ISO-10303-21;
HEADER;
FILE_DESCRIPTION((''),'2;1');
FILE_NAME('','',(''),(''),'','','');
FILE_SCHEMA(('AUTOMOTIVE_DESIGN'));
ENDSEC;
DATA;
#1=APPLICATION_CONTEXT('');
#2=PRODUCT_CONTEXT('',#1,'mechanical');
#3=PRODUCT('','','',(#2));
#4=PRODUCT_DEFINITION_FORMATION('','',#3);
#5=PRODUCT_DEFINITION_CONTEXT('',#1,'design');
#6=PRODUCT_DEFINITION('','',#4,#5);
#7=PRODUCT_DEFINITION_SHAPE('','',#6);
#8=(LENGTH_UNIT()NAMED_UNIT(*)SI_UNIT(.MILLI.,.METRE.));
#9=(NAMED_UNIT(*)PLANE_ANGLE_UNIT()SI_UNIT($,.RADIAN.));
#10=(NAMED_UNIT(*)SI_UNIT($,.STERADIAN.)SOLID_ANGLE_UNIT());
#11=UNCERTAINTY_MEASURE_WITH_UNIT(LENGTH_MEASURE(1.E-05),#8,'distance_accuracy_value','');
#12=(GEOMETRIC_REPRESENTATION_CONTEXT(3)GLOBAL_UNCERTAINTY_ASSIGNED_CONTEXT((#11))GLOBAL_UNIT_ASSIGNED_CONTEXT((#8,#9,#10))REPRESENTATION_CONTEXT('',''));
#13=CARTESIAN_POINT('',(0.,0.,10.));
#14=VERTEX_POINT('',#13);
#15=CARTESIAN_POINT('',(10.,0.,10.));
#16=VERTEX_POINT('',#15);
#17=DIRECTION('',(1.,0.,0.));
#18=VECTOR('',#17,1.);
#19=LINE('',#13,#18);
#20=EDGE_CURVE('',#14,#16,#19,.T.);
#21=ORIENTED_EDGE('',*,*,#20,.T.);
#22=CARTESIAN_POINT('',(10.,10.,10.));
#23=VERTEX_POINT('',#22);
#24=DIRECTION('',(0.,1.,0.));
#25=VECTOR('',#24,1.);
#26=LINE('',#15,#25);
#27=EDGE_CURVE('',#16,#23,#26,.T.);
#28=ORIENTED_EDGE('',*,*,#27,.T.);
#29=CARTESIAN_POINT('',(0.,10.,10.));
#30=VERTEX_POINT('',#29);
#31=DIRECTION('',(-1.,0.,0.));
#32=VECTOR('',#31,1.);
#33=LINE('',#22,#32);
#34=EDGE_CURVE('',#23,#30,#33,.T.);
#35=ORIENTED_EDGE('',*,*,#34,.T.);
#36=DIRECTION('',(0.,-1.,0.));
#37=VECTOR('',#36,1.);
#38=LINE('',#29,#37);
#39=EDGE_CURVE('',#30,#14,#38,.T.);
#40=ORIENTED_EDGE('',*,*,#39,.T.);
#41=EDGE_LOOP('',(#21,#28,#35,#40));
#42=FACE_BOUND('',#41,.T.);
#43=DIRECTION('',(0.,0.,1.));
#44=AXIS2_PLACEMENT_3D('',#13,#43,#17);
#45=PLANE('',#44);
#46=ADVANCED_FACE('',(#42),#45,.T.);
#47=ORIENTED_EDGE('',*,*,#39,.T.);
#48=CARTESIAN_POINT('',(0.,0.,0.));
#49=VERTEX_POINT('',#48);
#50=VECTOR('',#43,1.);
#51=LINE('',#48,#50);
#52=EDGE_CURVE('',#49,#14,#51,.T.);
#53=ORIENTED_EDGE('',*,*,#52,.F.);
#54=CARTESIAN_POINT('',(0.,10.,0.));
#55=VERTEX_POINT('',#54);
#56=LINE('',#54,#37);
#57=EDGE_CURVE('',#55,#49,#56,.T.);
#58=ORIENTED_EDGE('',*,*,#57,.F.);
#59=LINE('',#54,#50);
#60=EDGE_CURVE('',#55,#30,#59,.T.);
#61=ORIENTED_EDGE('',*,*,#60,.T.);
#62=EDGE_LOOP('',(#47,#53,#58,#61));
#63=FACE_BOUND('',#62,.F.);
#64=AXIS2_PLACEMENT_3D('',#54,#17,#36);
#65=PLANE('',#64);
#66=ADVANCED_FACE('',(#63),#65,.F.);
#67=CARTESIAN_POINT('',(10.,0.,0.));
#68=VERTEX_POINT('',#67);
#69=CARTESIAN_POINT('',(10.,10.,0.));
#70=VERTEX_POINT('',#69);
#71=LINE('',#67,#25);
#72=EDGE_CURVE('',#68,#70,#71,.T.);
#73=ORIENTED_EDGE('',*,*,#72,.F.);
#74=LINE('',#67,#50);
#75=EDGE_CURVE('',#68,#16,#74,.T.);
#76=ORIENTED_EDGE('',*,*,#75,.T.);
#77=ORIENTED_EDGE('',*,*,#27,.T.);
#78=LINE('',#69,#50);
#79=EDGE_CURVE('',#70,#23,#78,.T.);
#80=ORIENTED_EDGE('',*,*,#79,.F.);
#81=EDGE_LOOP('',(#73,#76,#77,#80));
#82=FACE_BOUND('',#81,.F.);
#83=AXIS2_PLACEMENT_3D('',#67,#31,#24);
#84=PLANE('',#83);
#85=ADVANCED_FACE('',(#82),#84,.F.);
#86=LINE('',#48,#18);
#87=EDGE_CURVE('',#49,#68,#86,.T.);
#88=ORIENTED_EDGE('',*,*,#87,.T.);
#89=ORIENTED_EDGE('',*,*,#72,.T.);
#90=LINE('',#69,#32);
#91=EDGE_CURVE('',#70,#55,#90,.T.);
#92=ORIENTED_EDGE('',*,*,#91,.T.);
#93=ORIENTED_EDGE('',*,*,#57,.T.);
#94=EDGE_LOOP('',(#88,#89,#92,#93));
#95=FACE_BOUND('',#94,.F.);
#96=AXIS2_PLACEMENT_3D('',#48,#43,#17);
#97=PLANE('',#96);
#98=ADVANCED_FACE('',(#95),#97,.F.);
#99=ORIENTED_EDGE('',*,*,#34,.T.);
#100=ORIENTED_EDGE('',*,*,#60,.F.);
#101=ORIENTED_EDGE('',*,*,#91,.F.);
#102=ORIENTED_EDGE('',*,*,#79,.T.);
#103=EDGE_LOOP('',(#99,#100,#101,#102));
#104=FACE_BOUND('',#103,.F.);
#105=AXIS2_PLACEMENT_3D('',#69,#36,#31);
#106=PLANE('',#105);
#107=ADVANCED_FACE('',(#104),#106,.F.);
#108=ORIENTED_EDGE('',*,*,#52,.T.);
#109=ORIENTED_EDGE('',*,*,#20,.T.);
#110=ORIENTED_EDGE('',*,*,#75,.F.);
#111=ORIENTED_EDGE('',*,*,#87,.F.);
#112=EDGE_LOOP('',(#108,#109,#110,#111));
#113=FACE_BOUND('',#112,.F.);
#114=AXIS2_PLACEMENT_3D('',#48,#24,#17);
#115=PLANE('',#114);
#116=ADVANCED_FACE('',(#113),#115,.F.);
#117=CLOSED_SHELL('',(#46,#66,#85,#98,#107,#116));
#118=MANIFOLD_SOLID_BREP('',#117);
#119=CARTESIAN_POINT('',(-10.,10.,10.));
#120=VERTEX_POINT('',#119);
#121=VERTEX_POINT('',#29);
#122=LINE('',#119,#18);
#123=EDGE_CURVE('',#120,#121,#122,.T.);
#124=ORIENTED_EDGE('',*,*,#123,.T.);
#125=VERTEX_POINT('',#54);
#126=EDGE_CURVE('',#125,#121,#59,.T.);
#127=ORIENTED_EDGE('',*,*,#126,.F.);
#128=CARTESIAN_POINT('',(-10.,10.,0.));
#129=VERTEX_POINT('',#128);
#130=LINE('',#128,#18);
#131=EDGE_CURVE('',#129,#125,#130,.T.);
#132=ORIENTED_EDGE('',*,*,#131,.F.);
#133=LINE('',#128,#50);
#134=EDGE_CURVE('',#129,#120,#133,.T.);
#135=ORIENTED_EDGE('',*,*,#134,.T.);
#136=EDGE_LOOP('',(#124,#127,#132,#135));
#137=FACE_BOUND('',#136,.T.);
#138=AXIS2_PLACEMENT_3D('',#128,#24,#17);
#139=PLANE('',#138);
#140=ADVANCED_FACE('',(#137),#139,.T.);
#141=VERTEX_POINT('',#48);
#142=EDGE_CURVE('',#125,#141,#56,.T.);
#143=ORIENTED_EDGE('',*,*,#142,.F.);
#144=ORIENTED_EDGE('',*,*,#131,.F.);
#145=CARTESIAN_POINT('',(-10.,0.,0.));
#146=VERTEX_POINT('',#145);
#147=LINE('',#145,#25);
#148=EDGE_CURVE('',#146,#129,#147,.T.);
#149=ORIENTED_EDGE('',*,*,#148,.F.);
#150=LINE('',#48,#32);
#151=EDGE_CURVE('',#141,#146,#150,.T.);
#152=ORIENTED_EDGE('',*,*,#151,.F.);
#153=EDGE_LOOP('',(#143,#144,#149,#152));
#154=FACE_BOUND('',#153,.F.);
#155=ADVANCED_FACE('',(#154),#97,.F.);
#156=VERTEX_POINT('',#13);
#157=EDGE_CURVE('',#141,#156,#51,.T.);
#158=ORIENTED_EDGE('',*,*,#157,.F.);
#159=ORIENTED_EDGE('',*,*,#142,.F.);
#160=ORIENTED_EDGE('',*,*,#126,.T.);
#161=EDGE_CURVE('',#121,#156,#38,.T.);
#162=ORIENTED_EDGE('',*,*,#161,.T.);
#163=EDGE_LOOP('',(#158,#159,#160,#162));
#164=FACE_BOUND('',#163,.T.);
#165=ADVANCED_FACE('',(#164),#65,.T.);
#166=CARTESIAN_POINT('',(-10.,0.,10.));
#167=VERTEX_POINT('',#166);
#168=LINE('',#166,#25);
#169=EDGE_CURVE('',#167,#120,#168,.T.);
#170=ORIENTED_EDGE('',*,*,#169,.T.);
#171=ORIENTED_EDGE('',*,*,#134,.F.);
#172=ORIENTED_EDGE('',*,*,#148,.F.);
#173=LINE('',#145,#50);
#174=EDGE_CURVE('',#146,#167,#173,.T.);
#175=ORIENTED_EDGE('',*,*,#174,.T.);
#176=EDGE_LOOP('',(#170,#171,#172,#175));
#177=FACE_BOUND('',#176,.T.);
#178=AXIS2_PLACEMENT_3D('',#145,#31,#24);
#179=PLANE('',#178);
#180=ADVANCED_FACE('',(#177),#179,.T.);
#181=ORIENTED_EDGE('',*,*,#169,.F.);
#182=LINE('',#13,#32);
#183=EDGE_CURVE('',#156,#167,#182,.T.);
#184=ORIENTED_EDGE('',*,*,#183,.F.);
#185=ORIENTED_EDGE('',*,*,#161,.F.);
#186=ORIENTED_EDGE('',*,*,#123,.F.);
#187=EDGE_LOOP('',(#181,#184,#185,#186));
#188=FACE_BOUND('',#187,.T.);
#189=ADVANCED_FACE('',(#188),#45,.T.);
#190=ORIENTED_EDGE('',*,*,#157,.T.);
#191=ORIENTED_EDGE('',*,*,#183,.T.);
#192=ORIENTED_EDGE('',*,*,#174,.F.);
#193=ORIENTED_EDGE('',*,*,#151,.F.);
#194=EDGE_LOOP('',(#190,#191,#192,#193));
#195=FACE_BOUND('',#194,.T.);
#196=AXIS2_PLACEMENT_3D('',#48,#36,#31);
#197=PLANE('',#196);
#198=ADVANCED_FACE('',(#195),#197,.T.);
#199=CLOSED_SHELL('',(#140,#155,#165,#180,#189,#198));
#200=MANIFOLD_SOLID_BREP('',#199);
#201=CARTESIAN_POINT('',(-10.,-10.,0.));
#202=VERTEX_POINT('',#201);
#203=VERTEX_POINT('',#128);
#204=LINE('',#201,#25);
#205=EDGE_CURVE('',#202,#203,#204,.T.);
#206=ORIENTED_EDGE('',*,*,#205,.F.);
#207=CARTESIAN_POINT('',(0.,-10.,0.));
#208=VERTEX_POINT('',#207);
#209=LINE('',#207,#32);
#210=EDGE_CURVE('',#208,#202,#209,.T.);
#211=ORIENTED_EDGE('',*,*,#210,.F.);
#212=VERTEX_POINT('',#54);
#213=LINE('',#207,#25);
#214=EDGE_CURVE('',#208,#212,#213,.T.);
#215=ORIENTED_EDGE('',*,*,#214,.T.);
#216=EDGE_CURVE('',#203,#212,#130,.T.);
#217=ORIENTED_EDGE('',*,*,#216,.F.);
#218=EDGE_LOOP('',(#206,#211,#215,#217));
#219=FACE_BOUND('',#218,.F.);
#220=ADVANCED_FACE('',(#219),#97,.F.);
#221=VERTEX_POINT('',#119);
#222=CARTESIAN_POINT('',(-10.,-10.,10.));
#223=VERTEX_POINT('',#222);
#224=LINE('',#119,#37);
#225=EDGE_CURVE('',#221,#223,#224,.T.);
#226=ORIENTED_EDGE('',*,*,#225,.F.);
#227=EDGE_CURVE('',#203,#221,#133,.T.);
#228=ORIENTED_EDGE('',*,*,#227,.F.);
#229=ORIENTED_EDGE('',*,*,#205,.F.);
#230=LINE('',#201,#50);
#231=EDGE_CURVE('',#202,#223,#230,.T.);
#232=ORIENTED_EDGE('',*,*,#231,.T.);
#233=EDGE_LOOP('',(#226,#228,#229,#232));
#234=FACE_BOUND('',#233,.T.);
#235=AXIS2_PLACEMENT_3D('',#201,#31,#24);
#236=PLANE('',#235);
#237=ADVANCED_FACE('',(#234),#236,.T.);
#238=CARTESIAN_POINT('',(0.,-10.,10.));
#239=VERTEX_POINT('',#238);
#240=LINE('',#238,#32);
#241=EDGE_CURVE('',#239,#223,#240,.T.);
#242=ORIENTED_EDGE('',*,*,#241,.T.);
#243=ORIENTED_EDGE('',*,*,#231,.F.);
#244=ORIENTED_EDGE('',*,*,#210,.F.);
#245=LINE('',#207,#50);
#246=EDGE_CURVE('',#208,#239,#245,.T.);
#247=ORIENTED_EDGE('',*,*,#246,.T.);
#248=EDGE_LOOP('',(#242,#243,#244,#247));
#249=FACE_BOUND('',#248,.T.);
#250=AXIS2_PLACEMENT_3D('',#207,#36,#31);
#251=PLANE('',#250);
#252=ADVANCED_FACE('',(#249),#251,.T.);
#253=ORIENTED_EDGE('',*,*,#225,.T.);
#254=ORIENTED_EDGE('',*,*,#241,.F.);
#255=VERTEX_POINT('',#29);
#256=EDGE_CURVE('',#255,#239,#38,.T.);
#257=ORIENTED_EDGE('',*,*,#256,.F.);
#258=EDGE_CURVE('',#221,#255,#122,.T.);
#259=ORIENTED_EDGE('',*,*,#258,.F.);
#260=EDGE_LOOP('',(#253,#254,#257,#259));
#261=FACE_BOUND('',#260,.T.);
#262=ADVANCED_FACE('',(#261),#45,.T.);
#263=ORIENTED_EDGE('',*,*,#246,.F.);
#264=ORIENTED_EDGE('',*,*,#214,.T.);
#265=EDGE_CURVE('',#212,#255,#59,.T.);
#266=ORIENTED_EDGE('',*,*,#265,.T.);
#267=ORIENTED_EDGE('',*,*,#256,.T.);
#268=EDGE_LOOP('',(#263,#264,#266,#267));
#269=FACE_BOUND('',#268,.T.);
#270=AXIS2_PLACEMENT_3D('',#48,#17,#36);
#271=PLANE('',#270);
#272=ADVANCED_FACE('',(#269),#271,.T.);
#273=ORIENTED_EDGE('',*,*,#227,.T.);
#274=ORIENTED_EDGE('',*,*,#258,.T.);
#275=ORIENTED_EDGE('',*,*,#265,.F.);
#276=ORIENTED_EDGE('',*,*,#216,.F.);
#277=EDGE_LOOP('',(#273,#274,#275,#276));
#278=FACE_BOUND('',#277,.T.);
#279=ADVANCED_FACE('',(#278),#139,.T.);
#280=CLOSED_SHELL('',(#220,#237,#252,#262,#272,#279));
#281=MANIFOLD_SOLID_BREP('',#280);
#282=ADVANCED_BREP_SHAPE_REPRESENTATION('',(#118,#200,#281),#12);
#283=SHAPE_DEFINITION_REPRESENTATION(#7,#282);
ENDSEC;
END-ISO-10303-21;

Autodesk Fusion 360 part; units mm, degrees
sketch "Sketch1" plane through (0, 0, 0) normal (0, 0, 1) x (1, 0, 0)
  line L0 (0, 0) -> (-10, 0)
  line L1 (-10, 0) -> (-10, 10)
  line L2 (-10, 10) -> (0, 10)
  line L3 (0, 10) -> (0, 0)
  line L4 (0, 0) -> (10, 0)
  line L5 (10, 0) -> (10, 10)
  line L6 (10, 10) -> (0, 10)
  line L7 (0, 10) -> (0, 0)
  line L8 (-10, 10) -> (0, 10)
  line L9 (0, 10) -> (0, -10)
  line L10 (0, -10) -> (-10, -10)
  line L11 (-10, -10) -> (-10, 10)
extrude "Extrude1" add sketch "Sketch1" along normal blind 10 contours L3 L4 L5 L6 L7 L9 makes body 1
extrude "Extrude2" add sketch "Sketch1" along normal blind 10 separate body contours L0 L1 L2 L3 L7 L8 L9 L11 makes body 2
extrude "Extrude3" add sketch "Sketch1" along normal blind 10 separate body contours L0 L9 L10 L11 | L0 L1 L2 L3 L7 L8 L9 L11 makes body 3
